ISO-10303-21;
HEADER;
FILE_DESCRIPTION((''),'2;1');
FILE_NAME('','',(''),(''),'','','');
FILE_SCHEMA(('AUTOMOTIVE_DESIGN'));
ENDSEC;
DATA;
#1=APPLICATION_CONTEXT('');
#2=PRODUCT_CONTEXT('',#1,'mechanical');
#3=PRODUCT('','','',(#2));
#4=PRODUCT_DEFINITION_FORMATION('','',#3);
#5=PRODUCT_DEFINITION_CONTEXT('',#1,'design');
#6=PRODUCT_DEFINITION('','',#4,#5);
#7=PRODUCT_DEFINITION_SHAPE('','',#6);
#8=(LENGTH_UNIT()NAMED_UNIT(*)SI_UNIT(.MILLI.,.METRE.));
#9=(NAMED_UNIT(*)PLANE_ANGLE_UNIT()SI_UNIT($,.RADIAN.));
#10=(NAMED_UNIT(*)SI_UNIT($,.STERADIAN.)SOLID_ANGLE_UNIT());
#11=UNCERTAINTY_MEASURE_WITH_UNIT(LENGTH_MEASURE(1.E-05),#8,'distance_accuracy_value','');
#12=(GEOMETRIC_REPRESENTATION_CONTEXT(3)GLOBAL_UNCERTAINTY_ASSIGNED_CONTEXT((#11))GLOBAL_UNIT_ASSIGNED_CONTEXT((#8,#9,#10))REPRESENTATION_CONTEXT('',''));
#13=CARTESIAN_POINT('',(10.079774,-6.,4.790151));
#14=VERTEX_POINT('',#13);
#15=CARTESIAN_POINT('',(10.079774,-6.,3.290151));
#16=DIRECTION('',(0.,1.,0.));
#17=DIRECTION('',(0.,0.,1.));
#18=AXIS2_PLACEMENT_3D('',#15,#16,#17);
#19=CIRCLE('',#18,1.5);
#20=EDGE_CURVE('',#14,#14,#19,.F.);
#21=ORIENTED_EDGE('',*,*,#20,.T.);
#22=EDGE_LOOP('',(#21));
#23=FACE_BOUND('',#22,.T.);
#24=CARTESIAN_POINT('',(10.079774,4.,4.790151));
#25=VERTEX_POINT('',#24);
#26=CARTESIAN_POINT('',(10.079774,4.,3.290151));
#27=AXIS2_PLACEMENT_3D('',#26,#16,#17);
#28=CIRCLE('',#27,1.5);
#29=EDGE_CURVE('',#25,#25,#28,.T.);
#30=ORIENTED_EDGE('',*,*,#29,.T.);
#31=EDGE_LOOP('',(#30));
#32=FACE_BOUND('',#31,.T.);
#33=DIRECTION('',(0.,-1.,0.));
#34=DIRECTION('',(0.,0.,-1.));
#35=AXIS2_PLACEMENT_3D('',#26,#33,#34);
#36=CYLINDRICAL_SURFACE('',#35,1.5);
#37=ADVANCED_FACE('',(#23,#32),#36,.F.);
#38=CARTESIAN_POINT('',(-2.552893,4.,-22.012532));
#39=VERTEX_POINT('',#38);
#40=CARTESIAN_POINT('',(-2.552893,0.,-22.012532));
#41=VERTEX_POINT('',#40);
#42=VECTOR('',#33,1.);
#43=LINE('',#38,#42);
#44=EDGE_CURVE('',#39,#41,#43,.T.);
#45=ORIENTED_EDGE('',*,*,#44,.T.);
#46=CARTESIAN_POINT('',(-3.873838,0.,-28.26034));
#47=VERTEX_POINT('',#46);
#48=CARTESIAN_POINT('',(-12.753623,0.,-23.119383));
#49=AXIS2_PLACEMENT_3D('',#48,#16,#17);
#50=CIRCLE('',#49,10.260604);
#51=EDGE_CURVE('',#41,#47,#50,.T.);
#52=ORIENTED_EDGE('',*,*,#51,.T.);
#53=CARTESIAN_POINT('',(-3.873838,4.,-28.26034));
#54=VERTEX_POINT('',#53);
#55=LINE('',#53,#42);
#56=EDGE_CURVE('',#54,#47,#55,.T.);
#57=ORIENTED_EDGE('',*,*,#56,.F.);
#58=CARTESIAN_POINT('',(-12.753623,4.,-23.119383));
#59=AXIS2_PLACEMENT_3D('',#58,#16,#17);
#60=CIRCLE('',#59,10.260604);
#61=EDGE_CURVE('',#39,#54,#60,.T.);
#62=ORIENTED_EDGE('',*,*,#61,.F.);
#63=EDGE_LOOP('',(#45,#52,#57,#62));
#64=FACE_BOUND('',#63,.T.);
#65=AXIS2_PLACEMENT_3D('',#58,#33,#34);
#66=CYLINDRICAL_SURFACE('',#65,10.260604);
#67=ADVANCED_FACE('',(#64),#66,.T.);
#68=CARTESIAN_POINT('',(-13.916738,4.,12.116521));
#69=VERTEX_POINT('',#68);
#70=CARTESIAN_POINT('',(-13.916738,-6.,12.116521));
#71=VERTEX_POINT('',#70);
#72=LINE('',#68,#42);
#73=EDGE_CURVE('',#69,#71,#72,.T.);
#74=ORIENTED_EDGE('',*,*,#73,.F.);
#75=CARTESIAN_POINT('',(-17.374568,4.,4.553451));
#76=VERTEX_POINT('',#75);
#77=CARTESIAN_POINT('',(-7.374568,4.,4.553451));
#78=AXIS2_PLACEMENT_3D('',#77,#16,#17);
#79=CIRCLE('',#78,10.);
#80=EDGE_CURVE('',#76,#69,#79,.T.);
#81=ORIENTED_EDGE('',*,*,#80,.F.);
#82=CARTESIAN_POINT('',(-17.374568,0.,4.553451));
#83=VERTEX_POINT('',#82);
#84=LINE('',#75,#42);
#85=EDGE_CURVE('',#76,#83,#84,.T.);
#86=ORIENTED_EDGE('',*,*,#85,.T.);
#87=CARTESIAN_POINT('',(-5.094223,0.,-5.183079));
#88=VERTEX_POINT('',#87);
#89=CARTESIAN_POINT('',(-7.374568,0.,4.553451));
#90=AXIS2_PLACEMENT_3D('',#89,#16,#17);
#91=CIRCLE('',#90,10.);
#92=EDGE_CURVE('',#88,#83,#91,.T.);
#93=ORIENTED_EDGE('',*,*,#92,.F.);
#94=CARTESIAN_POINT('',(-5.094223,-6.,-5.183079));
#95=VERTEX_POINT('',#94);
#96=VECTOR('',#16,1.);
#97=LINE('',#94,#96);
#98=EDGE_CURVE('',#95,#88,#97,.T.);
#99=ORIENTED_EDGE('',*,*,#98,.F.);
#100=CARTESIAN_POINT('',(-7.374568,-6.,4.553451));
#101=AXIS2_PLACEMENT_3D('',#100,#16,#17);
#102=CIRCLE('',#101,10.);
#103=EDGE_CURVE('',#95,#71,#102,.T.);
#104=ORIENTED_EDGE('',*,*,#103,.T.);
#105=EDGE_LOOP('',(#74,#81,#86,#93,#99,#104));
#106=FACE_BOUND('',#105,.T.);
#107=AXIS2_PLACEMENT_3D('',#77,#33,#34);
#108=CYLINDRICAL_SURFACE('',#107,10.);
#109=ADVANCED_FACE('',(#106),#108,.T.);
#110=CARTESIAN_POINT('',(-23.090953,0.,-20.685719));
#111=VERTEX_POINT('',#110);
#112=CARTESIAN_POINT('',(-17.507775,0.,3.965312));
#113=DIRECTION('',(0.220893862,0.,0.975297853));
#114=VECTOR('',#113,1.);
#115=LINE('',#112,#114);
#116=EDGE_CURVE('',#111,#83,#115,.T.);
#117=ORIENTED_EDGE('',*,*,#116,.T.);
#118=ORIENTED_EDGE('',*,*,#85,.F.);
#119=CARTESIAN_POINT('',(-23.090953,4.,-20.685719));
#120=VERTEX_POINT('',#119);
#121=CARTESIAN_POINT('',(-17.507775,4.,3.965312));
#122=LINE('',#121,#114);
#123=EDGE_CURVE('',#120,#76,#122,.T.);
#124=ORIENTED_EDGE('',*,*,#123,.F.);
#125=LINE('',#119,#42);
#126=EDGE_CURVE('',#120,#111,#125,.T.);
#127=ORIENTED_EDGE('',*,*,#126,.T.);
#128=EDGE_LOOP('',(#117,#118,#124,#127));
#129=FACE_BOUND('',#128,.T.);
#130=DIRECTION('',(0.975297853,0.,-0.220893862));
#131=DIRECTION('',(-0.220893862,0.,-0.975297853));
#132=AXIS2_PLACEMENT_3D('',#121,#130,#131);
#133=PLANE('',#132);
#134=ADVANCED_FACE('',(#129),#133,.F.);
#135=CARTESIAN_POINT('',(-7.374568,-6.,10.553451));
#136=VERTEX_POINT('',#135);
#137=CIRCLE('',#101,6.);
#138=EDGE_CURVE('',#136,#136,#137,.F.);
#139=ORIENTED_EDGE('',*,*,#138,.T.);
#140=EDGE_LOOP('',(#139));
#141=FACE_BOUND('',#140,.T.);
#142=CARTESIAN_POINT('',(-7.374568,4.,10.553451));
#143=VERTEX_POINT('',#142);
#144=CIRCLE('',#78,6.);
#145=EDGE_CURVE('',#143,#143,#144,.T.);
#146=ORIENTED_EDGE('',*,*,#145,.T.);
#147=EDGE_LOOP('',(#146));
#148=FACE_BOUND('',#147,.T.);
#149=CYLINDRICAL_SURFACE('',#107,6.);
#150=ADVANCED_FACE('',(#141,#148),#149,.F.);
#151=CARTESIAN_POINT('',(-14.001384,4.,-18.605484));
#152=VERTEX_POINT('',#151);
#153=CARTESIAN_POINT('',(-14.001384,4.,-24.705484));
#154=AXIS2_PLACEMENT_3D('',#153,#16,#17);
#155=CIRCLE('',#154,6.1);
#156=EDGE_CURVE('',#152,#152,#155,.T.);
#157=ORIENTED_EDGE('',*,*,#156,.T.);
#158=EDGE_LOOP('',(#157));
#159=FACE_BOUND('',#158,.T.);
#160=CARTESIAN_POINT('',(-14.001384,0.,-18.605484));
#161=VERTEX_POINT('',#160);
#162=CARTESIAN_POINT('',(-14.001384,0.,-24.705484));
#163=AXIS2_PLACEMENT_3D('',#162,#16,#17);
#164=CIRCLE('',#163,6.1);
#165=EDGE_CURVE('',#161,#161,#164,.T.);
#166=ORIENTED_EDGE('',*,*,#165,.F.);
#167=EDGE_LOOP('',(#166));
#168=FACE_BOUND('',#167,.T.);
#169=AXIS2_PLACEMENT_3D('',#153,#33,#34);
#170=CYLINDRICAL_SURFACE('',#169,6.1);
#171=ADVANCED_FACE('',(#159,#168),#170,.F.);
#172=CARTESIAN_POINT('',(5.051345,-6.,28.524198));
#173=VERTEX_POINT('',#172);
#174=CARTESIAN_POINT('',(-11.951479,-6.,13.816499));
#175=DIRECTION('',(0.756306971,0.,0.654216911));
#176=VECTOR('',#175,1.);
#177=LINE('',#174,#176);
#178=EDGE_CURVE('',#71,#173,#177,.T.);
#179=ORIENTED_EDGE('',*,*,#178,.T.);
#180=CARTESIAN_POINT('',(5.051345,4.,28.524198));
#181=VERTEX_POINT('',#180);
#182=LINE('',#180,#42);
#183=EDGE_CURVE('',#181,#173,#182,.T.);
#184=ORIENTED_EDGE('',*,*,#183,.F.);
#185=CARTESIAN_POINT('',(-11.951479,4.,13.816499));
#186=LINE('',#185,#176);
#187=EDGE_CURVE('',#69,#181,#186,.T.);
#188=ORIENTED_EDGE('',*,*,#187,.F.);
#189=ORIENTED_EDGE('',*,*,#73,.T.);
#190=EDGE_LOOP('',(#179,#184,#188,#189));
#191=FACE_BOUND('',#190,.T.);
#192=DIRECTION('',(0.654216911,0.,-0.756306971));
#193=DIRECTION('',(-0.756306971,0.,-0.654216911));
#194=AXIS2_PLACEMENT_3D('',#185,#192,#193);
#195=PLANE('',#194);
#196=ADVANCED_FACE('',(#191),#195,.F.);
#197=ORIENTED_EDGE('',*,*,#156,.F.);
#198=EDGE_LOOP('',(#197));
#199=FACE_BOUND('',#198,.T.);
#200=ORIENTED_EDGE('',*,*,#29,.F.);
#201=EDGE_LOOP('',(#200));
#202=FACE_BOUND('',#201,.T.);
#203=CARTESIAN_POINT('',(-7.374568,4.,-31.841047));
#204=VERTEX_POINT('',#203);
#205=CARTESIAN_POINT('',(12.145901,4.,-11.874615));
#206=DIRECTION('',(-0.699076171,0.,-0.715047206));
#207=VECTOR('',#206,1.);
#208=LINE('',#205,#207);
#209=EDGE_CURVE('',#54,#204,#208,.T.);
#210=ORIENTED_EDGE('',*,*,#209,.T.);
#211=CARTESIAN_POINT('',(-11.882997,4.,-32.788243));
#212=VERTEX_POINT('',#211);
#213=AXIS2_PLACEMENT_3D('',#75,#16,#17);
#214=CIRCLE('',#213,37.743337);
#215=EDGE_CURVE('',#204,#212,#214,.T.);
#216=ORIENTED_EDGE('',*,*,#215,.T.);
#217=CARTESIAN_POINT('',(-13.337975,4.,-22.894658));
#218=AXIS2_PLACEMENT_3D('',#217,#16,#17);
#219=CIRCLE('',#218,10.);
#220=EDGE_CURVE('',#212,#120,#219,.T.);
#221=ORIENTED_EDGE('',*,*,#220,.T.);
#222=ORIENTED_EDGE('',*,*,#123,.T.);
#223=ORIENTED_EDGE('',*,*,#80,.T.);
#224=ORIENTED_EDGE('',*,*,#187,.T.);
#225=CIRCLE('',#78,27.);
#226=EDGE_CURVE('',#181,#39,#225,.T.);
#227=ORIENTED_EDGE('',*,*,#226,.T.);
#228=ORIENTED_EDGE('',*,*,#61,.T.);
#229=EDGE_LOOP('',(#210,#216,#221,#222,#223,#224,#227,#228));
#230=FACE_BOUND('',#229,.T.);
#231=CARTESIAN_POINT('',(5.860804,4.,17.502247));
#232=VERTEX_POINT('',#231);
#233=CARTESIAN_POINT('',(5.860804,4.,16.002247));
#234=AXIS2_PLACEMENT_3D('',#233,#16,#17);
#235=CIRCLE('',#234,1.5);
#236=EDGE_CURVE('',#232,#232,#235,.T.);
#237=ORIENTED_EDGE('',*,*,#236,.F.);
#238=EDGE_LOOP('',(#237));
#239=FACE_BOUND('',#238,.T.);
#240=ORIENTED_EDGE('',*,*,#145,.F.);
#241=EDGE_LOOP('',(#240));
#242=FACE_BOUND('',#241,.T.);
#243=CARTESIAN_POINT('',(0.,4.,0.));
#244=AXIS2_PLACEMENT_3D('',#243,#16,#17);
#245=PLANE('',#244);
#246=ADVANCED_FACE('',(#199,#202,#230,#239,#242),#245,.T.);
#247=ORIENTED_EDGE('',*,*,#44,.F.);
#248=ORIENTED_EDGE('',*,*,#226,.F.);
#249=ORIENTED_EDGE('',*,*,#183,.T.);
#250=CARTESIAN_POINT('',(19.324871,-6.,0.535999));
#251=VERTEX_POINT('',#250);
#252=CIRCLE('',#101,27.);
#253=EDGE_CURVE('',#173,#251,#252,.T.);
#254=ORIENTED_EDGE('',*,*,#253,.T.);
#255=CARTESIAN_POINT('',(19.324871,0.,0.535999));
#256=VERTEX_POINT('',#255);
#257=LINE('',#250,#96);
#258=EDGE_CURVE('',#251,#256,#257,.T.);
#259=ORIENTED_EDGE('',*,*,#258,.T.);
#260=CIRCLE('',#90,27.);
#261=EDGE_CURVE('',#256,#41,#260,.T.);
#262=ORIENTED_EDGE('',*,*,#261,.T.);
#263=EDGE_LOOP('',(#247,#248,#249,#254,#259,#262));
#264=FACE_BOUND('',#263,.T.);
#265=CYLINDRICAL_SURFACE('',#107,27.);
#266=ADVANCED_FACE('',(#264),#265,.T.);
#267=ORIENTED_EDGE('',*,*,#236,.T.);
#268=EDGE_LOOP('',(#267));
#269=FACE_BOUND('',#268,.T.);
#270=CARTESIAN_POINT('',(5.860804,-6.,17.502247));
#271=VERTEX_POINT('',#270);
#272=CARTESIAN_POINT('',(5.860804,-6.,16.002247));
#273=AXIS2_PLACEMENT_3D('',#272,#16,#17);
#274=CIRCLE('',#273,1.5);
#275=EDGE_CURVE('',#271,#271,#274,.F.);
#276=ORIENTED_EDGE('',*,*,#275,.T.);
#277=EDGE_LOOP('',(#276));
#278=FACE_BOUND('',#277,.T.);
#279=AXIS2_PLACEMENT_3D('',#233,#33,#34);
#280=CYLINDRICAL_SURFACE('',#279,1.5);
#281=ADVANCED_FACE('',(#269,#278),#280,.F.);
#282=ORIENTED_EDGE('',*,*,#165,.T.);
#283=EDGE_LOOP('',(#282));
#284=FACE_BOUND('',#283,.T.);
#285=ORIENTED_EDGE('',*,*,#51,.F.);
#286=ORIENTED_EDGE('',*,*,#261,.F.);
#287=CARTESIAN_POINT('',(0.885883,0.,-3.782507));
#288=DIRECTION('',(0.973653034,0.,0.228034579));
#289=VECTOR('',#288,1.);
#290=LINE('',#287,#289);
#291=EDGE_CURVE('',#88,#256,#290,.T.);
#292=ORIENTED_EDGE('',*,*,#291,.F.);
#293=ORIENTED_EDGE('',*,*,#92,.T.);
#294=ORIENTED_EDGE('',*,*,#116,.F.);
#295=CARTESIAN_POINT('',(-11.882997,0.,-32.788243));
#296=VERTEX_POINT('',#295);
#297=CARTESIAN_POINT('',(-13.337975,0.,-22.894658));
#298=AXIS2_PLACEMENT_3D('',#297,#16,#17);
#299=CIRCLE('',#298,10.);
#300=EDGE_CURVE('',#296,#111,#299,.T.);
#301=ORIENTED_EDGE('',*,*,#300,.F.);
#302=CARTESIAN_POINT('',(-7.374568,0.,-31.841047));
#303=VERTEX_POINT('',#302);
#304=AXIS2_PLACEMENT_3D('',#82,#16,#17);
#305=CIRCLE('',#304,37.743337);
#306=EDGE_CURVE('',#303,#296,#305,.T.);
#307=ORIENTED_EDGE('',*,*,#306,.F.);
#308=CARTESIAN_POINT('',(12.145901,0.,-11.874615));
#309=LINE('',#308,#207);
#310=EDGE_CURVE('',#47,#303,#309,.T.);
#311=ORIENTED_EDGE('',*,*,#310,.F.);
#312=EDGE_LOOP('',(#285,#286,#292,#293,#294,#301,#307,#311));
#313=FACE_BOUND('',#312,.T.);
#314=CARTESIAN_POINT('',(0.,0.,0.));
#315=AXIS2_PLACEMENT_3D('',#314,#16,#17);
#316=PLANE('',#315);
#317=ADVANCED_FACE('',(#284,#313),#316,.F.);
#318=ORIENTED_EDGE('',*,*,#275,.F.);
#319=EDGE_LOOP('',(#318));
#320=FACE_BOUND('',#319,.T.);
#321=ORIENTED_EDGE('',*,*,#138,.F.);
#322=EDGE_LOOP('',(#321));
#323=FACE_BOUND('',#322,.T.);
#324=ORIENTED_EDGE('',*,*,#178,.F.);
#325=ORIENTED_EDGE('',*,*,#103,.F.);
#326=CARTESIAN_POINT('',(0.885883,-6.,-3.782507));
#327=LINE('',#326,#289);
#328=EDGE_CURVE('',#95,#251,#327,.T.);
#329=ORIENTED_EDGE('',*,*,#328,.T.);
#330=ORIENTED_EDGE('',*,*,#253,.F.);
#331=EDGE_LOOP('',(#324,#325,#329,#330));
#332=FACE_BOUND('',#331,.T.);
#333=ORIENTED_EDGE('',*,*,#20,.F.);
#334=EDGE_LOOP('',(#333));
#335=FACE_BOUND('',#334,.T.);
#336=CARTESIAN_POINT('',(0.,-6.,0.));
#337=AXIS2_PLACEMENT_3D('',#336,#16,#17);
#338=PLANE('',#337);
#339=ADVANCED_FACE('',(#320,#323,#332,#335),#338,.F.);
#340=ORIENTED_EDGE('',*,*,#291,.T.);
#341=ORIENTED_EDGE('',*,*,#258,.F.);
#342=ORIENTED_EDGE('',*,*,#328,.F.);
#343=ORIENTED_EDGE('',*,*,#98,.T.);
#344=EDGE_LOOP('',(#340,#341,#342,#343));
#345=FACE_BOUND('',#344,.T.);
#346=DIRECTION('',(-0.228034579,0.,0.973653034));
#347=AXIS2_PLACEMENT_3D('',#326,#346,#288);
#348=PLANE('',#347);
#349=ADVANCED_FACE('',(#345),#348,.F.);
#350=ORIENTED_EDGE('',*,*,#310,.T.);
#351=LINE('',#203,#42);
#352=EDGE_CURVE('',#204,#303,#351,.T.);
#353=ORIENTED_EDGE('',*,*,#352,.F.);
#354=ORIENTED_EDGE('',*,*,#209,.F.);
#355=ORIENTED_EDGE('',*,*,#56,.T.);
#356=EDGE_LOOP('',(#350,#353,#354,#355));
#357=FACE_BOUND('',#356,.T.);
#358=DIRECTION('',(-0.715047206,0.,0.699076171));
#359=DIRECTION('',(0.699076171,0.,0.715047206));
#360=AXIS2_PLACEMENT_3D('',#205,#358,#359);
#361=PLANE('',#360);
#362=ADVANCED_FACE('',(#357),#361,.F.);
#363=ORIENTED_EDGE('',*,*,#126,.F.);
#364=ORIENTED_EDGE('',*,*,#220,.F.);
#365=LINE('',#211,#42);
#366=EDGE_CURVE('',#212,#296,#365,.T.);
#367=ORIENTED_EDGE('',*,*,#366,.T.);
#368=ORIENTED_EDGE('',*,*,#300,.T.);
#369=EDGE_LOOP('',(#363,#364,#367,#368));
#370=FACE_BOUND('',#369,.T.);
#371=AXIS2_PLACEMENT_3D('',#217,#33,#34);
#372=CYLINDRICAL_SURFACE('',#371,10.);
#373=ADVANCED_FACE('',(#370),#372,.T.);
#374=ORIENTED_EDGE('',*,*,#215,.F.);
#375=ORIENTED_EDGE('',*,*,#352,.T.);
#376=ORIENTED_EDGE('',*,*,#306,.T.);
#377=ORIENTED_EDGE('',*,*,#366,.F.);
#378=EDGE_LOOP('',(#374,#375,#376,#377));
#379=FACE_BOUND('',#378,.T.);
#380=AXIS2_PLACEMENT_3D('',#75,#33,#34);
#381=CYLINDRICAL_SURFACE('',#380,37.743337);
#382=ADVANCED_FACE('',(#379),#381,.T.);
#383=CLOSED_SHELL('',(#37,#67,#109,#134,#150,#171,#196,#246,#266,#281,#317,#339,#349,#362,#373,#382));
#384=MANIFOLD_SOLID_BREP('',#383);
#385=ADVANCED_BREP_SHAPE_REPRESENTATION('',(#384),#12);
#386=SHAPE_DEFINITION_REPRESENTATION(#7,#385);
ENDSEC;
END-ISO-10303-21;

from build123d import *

# Parameters (mm, degrees)
SKETCH_1_R      = 6
SKETCH_1_R_2    = 1.5
EXTRUDE_1_DEPTH = 4
EXTRUDE_START   = -10
SKETCH_2_R      = 6
SKETCH_2_R_2    = 1.5
EXTRUDE_3_DEPTH = 10


with BuildPart() as part:
    # 草图1 → 凸台-拉伸1 (new body)
    # profile 1 of 2: a face of its own
    with BuildSketch(Plane(origin=(0, 0, 0), x_dir=(1, 0, 0), z_dir=(0, 1, 0))):
        with BuildLine():
            ThreePointArc((-11.882996945, 32.788243467), (-20.67500257, 29.68936306), (-23.090953179, 20.685719055))
            Line((-23.090953179, 20.685719055), (-22.448063756, 17.847212503))
            ThreePointArc((-22.448063756, 17.847212503), (-20.341934216, 19.128766183), (-18.127687059, 20.212865348))
            ThreePointArc((-18.127687059, 20.212865348), (-16.454907522, 30.290305128), (-7.901384252, 24.70548431))
            ThreePointArc((-7.901384252, 24.70548431), (-8.01255227, 23.54622097), (-8.342004413, 22.429211075))
            ThreePointArc((-8.342004413, 22.429211075), (-5.436219765, 22.37688115), (-2.552893168, 22.012531633))
            ThreePointArc((-2.552893168, 22.012531633), (-2.714933584, 25.241816969), (-3.873838396, 28.260339871))
            Line((-3.873838396, 28.260339871), (-7.3745684, 31.841047256))
            ThreePointArc((-7.3745684, 31.841047256), (-9.61431765, 32.383495426), (-11.882996945, 32.788243467))
        make_face()
    # profile 2 of 2: a face of its own
    with BuildSketch(Plane(origin=(0, 0, 0), x_dir=(1, 0, 0), z_dir=(0, 1, 0))):
        with BuildLine():
            ThreePointArc((-18.127687059, 20.212865348), (-20.341934216, 19.128766183), (-22.448063756, 17.847212503))
            Line((-22.448063756, 17.847212503), (-17.3745684, -4.553451276))
            ThreePointArc((-17.3745684, -4.553451276), (-16.46911872, -8.71147418), (-13.916737505, -12.116520983))
            Line((-13.916737505, -12.116520983), (5.051344821, -28.524197627))
            ThreePointArc((5.051344821, -28.524197627), (7.070533196, -27.364392508), (8.982279547, -26.034920622))
            ThreePointArc((8.982279547, -26.034920622), (10.160528905, -25.084412347), (11.283653654, -24.069361447))
            ThreePointArc((11.283653654, -24.069361447), (13.156392672, -22.088548581), (14.819857518, -19.928998687))
            ThreePointArc((14.819857518, -19.928998687), (15.646716038, -18.660912524), (16.40120317, -17.348477117))
            ThreePointArc((16.40120317, -17.348477117), (17.570178978, -14.88590395), (18.484890443, -12.318011044))
            ThreePointArc((18.484890443, -12.318011044), (18.879419451, -10.8564761), (19.19141451, -9.375126508))
            ThreePointArc((19.19141451, -9.375126508), (19.516708425, -6.974036065), (19.6254316, -4.553451276))
            ThreePointArc((19.6254316, -4.553451276), (19.623728487, -4.250193605), (19.618619362, -3.946974192))
            ThreePointArc((19.618619362, -3.946974192), (19.542199611, -2.435055692), (19.381162346, -0.929796734))
            ThreePointArc((19.381162346, -0.929796734), (18.879419451, 1.749573548), (18.110066991, 4.364696458))
            ThreePointArc((18.110066991, 4.364696458), (17.570178978, 5.779001398), (16.951872839, 7.160824487))
            ThreePointArc((16.951872839, 7.160824487), (15.646716038, 9.554009971), (14.106900946, 11.80339667))
            ThreePointArc((14.106900946, 11.80339667), (13.156392672, 12.981646029), (12.141341771, 14.104770777))
            ThreePointArc((12.141341771, 14.104770777), (10.160528905, 15.977509795), (8.000979011, 17.640974641))
            ThreePointArc((8.000979011, 17.640974641), (6.732892848, 18.467833161), (5.420457441, 19.222320294))
            ThreePointArc((5.420457441, 19.222320294), (2.957884274, 20.391296102), (0.389991368, 21.306007566))
            ThreePointArc((0.389991368, 21.306007566), (-1.071543576, 21.700536575), (-2.552893168, 22.012531633))
            ThreePointArc((-2.552893168, 22.012531633), (-5.436219765, 22.37688115), (-8.342004413, 22.429211075))
            ThreePointArc((-8.342004413, 22.429211075), (-12.653931695, 18.756167408), (-18.127687059, 20.212865348))
        make_face()
        with Locations(Location((-7.3745684, -4.553451276, 0), (0, 0, 270))):
            Circle(SKETCH_1_R, mode=Mode.SUBTRACT)
        with Locations(Location((5.860803588, -16.002247211, 0), (0, 0, 270))):
            Circle(SKETCH_1_R_2, mode=Mode.SUBTRACT)
        with Locations(Location((10.079774126, -3.290151234, 0), (0, 0, 270))):
            Circle(SKETCH_1_R_2, mode=Mode.SUBTRACT)
    extrude(amount=EXTRUDE_1_DEPTH)

    # 草图2 → 凸台-拉伸3 (add)
    # profile 1 of 2: a face of its own
    with BuildSketch(Plane(origin=(0, 4, 0), x_dir=(1, 0, 0), z_dir=(0, 1, 0)).offset(EXTRUDE_START)):
        with BuildLine():
            ThreePointArc((2.6254316, -4.553451276), (0.461357134, 1.659299405), (-5.094222606, 5.183079064))
            ThreePointArc((-5.094222606, 5.183079064), (-13.587319081, 3.282474258), (-17.3745684, -4.553451276))
            ThreePointArc((-17.3745684, -4.553451276), (-16.46911872, -8.71147418), (-13.916737505, -12.116520983))
            ThreePointArc((-13.916737505, -12.116520983), (-3.216545495, -13.648001596), (2.6254316, -4.553451276))
        make_face()
        with Locations(Location((-7.3745684, -4.553451276, 0), (0, 0, 270))):
            Circle(SKETCH_2_R, mode=Mode.SUBTRACT)
    # profile 2 of 2: a face of its own
    with BuildSketch(Plane(origin=(0, 4, 0), x_dir=(1, 0, 0), z_dir=(0, 1, 0)).offset(EXTRUDE_START)):
        with BuildLine():
            Line((19.324871256, -0.535999093), (-5.094222606, 5.183079064))
            ThreePointArc((-5.094222606, 5.183079064), (0.461357134, 1.659299405), (2.6254316, -4.553451276))
            ThreePointArc((2.6254316, -4.553451276), (-3.216545495, -13.648001596), (-13.916737505, -12.116520983))
            Line((-13.916737505, -12.116520983), (5.051344821, -28.524197627))
            ThreePointArc((5.051344821, -28.524197627), (16.678147117, -16.819945325), (19.324871256, -0.535999093))
        make_face()
        with Locations(Location((5.860803588, -16.002247211, 0), (0, 0, 270))):
            Circle(SKETCH_2_R_2, mode=Mode.SUBTRACT)
        with Locations(Location((10.079774126, -3.290151234, 0), (0, 0, 270))):
            Circle(SKETCH_2_R_2, mode=Mode.SUBTRACT)
    extrude(amount=EXTRUDE_3_DEPTH)


solid = part.part
